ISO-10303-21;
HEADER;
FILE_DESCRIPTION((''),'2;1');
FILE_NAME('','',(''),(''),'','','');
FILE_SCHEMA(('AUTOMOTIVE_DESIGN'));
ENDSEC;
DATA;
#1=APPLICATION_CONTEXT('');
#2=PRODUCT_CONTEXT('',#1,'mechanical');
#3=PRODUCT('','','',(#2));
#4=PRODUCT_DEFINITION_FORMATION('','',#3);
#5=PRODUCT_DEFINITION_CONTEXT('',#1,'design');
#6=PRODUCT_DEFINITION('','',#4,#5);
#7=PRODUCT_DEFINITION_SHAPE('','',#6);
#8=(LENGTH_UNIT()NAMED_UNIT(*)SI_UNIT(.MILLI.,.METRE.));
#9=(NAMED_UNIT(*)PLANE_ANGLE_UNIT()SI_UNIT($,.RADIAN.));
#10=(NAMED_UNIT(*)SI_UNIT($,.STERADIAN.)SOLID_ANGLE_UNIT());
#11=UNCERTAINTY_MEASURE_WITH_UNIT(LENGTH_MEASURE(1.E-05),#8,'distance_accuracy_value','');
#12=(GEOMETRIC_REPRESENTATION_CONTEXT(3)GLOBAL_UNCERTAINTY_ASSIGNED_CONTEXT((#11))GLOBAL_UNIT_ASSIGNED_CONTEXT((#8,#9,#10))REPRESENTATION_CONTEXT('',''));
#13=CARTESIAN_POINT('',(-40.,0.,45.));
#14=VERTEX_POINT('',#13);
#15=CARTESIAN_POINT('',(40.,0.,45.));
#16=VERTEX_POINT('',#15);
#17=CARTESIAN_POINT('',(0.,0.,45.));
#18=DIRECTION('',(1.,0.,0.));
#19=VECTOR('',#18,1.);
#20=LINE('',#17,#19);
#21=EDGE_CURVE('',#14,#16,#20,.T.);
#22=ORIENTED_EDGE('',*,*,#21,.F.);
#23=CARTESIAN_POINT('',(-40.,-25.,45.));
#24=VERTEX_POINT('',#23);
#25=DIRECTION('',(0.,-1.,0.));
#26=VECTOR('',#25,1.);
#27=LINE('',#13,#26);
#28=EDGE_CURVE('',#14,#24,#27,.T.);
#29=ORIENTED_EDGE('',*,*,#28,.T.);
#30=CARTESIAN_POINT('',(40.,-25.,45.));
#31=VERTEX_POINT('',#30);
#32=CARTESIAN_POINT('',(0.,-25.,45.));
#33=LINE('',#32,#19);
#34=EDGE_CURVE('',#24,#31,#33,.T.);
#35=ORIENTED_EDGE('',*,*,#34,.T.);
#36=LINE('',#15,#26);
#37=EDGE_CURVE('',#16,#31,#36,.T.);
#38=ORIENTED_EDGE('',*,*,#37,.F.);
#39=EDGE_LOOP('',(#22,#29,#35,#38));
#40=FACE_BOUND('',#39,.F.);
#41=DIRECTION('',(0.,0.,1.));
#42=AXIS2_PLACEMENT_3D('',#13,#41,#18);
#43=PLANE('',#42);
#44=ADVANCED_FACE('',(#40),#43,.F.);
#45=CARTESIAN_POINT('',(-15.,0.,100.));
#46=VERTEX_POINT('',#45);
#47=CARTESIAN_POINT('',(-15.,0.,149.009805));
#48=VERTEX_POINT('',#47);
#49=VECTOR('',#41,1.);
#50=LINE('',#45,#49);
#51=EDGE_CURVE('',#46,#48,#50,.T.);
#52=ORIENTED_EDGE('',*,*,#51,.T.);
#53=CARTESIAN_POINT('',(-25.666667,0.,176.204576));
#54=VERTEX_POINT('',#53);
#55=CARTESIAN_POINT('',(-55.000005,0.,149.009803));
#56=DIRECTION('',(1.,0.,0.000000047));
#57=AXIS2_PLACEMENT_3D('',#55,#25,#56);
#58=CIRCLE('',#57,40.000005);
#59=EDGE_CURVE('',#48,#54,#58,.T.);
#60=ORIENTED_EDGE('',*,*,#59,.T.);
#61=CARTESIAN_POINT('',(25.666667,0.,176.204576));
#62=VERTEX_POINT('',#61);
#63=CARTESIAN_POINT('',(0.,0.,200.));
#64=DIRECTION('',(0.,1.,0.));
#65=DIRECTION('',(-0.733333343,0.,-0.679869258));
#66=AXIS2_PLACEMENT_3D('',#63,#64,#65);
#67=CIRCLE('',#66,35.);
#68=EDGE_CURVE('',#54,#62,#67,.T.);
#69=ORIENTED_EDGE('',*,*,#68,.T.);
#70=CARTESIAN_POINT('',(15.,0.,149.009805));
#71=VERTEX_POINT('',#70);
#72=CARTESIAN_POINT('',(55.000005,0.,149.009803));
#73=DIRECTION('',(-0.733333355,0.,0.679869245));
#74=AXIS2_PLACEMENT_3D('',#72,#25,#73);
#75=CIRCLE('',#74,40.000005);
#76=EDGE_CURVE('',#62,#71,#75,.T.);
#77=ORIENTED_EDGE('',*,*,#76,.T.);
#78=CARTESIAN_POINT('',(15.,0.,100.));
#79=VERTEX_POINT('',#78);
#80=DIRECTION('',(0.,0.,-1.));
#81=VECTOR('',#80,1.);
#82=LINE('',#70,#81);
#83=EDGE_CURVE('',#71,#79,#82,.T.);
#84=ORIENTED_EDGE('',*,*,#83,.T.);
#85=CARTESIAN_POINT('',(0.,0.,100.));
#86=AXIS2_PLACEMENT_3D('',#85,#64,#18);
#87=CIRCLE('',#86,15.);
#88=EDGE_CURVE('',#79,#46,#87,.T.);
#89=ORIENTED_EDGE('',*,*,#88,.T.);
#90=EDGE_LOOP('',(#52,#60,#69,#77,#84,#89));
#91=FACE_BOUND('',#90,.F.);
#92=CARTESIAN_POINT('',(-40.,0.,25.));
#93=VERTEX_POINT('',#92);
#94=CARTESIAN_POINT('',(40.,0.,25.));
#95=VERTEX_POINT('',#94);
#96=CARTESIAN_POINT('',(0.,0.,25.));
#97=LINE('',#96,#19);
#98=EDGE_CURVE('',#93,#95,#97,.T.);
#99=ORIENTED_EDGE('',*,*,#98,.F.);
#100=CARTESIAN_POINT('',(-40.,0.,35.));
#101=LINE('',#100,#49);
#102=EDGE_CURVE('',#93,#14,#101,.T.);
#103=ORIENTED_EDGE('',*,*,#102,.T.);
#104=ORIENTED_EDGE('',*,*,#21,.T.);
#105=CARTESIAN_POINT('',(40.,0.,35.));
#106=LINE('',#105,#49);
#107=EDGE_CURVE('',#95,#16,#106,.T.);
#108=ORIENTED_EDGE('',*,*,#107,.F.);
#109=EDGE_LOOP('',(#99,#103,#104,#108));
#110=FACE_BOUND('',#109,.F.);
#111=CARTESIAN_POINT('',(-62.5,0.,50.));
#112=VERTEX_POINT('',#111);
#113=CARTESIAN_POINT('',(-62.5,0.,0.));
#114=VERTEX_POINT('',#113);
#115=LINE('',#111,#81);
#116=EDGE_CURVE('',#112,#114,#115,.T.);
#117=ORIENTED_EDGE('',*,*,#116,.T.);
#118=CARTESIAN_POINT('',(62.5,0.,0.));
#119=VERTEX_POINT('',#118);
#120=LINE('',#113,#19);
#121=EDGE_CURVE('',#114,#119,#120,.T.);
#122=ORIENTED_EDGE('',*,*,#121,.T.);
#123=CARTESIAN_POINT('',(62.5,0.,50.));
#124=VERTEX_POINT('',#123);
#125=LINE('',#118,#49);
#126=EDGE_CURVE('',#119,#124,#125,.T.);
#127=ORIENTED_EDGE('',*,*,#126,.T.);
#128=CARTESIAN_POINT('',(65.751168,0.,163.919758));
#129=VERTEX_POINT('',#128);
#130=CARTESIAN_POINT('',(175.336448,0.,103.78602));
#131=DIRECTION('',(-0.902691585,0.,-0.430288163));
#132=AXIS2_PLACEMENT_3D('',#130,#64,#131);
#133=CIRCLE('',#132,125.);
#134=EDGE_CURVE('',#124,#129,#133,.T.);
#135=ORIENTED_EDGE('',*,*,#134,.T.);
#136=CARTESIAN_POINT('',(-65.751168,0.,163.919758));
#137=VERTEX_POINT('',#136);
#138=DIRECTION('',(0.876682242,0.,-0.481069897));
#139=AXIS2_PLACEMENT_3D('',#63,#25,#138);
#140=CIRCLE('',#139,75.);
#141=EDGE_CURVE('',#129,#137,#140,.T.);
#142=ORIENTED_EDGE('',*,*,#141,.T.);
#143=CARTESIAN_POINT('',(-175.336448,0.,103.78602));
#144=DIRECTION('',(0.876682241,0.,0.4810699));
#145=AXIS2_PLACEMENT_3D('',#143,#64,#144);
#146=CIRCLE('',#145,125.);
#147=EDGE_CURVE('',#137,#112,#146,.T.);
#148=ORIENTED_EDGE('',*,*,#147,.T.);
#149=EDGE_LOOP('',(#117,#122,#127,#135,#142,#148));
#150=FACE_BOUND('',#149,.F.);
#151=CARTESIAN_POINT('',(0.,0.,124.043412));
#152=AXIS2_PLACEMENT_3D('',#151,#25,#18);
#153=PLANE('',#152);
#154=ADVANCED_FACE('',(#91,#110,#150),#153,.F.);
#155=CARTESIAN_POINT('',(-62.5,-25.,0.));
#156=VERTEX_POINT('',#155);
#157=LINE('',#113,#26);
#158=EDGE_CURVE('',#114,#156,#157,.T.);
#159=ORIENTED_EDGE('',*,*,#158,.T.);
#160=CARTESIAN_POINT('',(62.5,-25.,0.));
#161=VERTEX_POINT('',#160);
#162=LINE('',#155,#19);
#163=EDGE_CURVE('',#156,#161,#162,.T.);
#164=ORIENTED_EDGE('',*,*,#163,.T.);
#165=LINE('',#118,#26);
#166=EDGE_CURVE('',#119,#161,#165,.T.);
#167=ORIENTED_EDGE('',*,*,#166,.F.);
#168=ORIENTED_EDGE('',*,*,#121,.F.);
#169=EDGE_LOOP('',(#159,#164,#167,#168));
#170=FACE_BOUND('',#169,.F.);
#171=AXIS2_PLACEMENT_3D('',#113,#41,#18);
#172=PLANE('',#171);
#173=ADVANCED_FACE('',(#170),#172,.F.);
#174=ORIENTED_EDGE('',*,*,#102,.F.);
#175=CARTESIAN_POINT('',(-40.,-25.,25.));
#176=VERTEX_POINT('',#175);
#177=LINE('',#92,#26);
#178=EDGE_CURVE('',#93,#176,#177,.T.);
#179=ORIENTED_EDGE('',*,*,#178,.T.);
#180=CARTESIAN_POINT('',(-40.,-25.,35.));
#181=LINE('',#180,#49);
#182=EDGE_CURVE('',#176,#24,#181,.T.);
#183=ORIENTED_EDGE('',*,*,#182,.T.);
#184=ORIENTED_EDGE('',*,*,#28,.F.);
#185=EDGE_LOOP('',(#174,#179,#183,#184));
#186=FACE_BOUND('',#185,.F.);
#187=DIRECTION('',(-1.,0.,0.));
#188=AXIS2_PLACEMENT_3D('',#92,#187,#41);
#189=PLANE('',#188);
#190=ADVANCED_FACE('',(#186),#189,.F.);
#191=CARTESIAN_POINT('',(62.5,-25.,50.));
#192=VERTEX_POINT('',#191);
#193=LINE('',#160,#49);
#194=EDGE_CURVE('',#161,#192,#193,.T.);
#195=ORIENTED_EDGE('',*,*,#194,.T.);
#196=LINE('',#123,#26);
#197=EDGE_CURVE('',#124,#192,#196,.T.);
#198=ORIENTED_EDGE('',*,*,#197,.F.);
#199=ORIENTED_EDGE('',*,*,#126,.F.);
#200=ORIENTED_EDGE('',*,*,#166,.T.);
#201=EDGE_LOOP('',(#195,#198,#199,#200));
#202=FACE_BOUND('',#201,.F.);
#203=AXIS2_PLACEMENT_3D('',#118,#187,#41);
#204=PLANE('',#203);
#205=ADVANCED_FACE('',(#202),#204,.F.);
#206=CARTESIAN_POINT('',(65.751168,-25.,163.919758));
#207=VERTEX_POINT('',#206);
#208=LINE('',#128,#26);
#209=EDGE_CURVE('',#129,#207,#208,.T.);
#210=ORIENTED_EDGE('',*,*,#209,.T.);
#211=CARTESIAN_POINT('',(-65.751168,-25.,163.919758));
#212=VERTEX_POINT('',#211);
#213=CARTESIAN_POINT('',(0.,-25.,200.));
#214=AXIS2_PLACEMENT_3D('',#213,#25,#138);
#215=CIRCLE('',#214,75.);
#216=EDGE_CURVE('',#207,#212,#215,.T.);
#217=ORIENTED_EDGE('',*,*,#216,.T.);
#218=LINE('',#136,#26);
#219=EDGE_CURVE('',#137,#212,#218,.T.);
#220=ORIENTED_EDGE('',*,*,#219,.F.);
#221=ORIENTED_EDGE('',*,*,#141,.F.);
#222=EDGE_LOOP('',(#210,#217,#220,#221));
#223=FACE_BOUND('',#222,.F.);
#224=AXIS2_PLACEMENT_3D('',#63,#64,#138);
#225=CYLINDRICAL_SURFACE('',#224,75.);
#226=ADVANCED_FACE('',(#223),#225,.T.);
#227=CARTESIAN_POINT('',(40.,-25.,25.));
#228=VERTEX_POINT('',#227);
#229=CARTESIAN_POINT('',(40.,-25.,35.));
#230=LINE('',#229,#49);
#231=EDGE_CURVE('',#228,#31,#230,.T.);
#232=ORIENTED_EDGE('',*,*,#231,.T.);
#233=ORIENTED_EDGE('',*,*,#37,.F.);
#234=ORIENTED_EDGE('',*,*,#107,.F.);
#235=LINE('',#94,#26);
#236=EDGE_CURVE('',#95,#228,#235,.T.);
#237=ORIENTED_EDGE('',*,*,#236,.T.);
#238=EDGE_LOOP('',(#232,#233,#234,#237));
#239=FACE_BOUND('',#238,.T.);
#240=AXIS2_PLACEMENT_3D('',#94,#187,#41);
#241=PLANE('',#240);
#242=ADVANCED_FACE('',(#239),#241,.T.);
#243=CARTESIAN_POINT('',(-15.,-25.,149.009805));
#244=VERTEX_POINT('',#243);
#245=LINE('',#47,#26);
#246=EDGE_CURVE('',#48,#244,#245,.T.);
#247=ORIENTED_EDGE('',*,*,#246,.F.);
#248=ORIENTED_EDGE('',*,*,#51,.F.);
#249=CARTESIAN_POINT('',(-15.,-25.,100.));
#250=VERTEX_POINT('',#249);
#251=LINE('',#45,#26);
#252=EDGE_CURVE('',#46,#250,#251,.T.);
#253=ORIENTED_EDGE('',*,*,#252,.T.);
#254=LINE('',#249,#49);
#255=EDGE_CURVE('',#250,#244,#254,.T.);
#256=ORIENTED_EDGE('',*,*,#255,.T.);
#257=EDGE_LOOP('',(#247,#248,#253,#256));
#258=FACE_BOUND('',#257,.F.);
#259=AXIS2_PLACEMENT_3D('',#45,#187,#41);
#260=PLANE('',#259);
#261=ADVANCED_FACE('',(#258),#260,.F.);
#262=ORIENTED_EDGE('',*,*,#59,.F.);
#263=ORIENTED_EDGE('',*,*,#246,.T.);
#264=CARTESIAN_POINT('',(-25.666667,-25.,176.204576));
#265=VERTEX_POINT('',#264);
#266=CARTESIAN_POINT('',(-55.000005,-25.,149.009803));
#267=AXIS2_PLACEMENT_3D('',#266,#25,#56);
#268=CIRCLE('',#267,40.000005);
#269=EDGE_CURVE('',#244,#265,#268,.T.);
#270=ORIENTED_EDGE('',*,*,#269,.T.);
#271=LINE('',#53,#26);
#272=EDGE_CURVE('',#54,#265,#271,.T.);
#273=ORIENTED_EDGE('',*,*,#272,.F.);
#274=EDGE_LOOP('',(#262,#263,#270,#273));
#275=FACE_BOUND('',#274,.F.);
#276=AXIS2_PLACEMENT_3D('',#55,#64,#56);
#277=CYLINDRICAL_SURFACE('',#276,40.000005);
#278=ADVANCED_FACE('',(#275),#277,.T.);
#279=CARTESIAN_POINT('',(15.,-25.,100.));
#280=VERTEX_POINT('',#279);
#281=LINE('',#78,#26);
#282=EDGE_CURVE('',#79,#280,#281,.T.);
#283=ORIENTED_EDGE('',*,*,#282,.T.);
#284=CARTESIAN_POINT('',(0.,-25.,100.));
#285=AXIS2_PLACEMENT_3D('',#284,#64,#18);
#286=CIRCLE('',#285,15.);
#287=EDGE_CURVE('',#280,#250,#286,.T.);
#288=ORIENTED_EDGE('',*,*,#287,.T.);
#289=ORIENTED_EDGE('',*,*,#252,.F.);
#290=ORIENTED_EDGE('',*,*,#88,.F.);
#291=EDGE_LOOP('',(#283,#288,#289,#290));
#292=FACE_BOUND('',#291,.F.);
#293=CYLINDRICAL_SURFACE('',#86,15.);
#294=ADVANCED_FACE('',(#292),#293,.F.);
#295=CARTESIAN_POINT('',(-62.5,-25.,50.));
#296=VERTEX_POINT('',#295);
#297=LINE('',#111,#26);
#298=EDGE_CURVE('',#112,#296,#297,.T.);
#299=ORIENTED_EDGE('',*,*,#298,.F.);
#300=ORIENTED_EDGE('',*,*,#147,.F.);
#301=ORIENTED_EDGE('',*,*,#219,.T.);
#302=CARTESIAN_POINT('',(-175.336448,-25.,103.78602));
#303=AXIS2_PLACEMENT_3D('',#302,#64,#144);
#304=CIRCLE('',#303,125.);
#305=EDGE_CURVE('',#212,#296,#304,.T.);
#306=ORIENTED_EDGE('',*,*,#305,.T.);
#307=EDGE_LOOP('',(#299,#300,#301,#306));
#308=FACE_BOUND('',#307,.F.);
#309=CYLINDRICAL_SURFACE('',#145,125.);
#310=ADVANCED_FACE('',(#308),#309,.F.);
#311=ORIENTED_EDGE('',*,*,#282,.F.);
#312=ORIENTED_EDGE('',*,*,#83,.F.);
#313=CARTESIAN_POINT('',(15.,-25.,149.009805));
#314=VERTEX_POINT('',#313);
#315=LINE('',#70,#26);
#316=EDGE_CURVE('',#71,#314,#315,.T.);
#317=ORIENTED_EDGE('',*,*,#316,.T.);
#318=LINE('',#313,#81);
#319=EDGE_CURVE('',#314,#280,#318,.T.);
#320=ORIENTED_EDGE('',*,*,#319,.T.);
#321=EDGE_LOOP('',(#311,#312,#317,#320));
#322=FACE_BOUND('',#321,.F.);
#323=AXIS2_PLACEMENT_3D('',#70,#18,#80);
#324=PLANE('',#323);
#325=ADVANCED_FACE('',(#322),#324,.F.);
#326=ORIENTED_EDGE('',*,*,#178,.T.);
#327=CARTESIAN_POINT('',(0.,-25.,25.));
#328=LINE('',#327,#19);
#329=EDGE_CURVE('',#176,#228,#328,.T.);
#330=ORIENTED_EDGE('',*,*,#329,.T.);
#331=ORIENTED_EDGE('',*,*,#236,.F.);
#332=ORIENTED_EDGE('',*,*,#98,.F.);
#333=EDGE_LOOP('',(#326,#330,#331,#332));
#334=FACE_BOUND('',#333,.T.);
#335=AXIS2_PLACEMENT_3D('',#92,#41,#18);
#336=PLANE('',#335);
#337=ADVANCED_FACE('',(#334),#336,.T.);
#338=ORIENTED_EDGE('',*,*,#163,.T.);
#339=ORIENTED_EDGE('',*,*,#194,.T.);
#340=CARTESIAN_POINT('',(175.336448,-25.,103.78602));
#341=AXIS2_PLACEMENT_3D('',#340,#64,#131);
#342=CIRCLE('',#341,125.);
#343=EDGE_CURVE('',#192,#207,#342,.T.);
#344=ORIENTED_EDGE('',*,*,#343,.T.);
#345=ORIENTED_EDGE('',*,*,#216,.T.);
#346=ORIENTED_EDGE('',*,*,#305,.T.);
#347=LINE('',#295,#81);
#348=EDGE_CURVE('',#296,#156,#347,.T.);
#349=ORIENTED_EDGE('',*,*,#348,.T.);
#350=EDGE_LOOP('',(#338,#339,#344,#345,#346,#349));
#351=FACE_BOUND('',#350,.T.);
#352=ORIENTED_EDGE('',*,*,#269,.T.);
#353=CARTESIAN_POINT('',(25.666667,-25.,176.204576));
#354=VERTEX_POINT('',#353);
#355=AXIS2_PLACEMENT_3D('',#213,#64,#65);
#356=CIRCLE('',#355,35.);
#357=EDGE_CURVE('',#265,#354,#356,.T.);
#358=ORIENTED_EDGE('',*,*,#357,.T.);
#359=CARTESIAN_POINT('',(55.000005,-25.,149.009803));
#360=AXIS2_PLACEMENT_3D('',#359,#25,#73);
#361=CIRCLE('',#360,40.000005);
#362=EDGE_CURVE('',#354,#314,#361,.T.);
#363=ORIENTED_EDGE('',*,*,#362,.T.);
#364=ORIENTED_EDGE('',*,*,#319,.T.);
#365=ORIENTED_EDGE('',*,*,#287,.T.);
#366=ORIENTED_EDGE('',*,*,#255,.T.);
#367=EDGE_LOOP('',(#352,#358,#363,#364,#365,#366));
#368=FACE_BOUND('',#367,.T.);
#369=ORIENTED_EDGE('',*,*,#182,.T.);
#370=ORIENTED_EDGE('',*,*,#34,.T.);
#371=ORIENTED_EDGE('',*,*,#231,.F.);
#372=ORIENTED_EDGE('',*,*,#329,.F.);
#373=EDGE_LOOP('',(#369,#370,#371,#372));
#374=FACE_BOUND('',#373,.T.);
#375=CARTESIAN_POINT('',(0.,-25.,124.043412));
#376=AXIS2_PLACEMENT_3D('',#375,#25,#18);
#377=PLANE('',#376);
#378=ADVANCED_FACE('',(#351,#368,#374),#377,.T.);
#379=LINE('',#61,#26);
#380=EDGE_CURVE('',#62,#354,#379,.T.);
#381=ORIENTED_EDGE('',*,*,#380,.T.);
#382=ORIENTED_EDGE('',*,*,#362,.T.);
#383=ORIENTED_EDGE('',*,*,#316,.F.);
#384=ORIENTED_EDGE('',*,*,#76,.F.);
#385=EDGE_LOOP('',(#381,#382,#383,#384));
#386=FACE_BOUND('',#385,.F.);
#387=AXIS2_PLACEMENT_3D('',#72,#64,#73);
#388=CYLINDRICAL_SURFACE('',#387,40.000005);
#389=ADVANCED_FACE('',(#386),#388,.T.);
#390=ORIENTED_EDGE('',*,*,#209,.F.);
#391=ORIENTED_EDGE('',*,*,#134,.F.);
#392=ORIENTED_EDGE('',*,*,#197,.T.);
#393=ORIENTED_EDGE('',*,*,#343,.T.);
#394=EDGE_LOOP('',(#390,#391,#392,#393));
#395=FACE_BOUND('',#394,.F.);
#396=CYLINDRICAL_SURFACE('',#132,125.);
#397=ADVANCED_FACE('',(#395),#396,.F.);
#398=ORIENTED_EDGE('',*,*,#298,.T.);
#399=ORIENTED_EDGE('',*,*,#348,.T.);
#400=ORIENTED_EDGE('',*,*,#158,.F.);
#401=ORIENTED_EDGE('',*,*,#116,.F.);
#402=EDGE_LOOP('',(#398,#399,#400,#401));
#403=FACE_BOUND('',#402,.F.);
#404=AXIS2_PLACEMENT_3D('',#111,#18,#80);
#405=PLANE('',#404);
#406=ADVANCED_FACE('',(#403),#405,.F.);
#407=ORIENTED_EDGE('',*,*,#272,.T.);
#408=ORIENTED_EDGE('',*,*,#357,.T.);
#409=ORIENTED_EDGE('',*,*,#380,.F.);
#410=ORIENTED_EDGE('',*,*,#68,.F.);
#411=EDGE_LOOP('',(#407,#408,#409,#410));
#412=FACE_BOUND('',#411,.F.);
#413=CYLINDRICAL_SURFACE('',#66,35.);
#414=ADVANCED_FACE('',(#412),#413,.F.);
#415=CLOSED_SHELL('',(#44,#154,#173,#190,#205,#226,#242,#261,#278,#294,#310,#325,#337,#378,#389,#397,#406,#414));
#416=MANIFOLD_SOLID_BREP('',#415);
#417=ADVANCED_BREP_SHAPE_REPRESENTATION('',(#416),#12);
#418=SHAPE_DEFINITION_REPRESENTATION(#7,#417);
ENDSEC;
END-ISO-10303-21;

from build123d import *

# Parameters (mm, degrees)
F0_W     = 80
F0_H     = 20
F1_DEPTH = 25


with BuildPart() as f1:
    # F0 (on Front) → F1 (new body)
    with BuildSketch(Plane.XZ):
        with BuildLine():
            Line((-62.5, 0), (0, 0))
            Line((0, 0), (62.5, 0))
            Line((62.5, 0), (62.5, 50))
            ThreePointArc((62.5, 50), (50.387322, 107.351956), (65.751168, 163.919758))
            ThreePointArc((65.751168, 163.919758), (0, 275), (-65.751168, 163.919758))
            ThreePointArc((-65.751168, 163.919758), (-50.387322, 107.351956), (-62.5, 50))
            Line((-62.5, 50), (-62.5, 0))
        make_face()
        with Locations((0, 35)):
            Rectangle(F0_W, F0_H, mode=Mode.SUBTRACT)
        with BuildLine():
            ThreePointArc((-25.666667, 176.204576), (0, 235), (25.666667, 176.204576))
            ThreePointArc((25.666667, 176.204576), (17.762027, 163.61574), (15, 149.009805))
            Line((15, 149.009805), (15, 100))
            ThreePointArc((15, 100), (0, 85), (-15, 100))
            Line((-15, 100), (-15, 149.009805))
            ThreePointArc((-15, 149.009805), (-17.762027, 163.61574), (-25.666667, 176.204576))
        make_face(mode=Mode.SUBTRACT)
    extrude(amount=F1_DEPTH)


solid = f1.part
